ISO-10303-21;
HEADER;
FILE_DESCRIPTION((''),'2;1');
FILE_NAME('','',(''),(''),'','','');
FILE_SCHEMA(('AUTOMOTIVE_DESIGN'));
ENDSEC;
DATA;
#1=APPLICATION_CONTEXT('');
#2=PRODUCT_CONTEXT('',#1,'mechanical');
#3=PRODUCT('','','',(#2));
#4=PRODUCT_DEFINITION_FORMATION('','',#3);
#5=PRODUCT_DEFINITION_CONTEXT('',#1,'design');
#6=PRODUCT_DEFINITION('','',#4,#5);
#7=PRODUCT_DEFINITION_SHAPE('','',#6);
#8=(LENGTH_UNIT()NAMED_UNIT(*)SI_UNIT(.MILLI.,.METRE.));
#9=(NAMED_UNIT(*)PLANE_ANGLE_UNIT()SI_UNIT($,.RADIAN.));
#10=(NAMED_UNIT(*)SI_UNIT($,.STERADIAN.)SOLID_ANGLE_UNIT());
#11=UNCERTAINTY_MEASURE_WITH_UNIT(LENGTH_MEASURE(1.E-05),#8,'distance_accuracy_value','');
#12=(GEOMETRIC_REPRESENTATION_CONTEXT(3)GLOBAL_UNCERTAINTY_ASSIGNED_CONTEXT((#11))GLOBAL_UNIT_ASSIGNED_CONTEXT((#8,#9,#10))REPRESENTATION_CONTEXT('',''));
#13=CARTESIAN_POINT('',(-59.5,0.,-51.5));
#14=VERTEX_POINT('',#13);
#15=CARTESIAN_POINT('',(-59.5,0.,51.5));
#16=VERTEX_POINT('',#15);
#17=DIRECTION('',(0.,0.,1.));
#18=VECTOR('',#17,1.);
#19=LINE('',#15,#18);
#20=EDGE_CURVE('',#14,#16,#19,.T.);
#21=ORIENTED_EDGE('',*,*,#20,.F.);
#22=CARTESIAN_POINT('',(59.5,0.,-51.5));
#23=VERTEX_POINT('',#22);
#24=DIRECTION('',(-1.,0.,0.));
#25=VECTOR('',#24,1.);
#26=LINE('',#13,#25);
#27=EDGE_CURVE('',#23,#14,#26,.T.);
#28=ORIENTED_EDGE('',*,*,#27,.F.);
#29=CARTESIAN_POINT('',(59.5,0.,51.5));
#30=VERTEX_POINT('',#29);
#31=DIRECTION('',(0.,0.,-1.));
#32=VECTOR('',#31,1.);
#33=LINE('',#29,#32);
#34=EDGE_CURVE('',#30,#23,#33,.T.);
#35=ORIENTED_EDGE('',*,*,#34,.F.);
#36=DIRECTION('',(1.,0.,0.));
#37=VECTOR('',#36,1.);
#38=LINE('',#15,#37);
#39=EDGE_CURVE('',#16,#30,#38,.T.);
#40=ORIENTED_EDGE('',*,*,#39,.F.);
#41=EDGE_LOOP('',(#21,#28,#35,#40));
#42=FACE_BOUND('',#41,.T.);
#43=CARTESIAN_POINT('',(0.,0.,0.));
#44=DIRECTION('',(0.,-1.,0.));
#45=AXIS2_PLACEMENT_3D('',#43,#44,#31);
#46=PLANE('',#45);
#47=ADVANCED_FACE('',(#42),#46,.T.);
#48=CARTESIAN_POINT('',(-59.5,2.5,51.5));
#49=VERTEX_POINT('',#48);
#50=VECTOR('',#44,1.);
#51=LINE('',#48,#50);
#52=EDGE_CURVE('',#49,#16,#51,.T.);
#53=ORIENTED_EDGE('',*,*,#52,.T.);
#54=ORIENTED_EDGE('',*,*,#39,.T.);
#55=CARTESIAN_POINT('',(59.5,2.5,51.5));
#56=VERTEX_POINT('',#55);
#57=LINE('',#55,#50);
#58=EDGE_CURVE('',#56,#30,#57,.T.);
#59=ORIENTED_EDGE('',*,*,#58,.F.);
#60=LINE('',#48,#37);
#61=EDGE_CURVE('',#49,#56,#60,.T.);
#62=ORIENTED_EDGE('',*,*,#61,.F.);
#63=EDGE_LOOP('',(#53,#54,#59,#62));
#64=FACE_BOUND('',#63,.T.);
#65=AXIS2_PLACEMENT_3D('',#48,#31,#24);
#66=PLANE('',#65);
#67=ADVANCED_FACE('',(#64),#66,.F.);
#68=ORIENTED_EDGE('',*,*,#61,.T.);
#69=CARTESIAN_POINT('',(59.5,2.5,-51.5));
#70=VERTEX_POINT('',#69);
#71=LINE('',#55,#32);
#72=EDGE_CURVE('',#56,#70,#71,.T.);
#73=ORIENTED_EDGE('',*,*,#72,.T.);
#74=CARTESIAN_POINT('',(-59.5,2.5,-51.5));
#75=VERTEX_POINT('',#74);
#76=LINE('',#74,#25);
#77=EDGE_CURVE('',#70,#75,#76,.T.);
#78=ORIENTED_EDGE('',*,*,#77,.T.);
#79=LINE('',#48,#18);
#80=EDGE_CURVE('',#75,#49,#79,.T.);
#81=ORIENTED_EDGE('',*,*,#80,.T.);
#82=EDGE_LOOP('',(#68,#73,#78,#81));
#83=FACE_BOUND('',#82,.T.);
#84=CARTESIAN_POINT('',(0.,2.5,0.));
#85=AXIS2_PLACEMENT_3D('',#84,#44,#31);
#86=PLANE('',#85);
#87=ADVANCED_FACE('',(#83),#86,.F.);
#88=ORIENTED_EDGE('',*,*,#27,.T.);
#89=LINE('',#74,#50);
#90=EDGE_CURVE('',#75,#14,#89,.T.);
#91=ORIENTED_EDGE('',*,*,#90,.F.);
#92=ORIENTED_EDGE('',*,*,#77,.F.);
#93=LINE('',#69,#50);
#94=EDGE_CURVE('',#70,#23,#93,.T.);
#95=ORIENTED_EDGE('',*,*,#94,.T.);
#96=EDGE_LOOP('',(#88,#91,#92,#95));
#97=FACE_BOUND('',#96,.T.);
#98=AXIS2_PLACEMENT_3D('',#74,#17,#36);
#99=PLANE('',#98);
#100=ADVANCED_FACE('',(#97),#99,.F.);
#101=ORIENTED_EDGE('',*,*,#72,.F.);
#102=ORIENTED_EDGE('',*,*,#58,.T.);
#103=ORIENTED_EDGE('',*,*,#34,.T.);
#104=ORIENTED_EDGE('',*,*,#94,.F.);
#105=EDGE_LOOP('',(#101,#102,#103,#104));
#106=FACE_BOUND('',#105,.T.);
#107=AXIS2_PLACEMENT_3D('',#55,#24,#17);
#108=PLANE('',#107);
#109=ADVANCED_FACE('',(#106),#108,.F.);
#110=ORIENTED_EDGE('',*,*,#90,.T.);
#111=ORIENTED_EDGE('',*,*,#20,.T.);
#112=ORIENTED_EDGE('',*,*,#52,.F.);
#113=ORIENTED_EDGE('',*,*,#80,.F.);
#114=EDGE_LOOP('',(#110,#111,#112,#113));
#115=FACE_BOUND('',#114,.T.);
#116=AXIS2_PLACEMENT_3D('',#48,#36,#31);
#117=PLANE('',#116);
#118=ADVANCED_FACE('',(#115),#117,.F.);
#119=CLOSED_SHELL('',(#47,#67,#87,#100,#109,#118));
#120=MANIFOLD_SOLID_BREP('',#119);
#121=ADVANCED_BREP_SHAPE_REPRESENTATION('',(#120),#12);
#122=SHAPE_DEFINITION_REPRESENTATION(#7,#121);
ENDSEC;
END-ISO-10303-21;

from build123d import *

# Parameters (mm, degrees)
SKETCH1_W           = 119
SKETCH1_H           = 103
BOSS_EXTRUDE1_DEPTH = 2.5


with BuildPart() as part:
    # Sketch1 → Boss-Extrude1 (new body)
    with BuildSketch(Plane(origin=(0, 0, 0), x_dir=(1, 0, 0), z_dir=(0, 1, 0))):
        Rectangle(SKETCH1_W, SKETCH1_H)
    extrude(amount=BOSS_EXTRUDE1_DEPTH)


solid = part.part
